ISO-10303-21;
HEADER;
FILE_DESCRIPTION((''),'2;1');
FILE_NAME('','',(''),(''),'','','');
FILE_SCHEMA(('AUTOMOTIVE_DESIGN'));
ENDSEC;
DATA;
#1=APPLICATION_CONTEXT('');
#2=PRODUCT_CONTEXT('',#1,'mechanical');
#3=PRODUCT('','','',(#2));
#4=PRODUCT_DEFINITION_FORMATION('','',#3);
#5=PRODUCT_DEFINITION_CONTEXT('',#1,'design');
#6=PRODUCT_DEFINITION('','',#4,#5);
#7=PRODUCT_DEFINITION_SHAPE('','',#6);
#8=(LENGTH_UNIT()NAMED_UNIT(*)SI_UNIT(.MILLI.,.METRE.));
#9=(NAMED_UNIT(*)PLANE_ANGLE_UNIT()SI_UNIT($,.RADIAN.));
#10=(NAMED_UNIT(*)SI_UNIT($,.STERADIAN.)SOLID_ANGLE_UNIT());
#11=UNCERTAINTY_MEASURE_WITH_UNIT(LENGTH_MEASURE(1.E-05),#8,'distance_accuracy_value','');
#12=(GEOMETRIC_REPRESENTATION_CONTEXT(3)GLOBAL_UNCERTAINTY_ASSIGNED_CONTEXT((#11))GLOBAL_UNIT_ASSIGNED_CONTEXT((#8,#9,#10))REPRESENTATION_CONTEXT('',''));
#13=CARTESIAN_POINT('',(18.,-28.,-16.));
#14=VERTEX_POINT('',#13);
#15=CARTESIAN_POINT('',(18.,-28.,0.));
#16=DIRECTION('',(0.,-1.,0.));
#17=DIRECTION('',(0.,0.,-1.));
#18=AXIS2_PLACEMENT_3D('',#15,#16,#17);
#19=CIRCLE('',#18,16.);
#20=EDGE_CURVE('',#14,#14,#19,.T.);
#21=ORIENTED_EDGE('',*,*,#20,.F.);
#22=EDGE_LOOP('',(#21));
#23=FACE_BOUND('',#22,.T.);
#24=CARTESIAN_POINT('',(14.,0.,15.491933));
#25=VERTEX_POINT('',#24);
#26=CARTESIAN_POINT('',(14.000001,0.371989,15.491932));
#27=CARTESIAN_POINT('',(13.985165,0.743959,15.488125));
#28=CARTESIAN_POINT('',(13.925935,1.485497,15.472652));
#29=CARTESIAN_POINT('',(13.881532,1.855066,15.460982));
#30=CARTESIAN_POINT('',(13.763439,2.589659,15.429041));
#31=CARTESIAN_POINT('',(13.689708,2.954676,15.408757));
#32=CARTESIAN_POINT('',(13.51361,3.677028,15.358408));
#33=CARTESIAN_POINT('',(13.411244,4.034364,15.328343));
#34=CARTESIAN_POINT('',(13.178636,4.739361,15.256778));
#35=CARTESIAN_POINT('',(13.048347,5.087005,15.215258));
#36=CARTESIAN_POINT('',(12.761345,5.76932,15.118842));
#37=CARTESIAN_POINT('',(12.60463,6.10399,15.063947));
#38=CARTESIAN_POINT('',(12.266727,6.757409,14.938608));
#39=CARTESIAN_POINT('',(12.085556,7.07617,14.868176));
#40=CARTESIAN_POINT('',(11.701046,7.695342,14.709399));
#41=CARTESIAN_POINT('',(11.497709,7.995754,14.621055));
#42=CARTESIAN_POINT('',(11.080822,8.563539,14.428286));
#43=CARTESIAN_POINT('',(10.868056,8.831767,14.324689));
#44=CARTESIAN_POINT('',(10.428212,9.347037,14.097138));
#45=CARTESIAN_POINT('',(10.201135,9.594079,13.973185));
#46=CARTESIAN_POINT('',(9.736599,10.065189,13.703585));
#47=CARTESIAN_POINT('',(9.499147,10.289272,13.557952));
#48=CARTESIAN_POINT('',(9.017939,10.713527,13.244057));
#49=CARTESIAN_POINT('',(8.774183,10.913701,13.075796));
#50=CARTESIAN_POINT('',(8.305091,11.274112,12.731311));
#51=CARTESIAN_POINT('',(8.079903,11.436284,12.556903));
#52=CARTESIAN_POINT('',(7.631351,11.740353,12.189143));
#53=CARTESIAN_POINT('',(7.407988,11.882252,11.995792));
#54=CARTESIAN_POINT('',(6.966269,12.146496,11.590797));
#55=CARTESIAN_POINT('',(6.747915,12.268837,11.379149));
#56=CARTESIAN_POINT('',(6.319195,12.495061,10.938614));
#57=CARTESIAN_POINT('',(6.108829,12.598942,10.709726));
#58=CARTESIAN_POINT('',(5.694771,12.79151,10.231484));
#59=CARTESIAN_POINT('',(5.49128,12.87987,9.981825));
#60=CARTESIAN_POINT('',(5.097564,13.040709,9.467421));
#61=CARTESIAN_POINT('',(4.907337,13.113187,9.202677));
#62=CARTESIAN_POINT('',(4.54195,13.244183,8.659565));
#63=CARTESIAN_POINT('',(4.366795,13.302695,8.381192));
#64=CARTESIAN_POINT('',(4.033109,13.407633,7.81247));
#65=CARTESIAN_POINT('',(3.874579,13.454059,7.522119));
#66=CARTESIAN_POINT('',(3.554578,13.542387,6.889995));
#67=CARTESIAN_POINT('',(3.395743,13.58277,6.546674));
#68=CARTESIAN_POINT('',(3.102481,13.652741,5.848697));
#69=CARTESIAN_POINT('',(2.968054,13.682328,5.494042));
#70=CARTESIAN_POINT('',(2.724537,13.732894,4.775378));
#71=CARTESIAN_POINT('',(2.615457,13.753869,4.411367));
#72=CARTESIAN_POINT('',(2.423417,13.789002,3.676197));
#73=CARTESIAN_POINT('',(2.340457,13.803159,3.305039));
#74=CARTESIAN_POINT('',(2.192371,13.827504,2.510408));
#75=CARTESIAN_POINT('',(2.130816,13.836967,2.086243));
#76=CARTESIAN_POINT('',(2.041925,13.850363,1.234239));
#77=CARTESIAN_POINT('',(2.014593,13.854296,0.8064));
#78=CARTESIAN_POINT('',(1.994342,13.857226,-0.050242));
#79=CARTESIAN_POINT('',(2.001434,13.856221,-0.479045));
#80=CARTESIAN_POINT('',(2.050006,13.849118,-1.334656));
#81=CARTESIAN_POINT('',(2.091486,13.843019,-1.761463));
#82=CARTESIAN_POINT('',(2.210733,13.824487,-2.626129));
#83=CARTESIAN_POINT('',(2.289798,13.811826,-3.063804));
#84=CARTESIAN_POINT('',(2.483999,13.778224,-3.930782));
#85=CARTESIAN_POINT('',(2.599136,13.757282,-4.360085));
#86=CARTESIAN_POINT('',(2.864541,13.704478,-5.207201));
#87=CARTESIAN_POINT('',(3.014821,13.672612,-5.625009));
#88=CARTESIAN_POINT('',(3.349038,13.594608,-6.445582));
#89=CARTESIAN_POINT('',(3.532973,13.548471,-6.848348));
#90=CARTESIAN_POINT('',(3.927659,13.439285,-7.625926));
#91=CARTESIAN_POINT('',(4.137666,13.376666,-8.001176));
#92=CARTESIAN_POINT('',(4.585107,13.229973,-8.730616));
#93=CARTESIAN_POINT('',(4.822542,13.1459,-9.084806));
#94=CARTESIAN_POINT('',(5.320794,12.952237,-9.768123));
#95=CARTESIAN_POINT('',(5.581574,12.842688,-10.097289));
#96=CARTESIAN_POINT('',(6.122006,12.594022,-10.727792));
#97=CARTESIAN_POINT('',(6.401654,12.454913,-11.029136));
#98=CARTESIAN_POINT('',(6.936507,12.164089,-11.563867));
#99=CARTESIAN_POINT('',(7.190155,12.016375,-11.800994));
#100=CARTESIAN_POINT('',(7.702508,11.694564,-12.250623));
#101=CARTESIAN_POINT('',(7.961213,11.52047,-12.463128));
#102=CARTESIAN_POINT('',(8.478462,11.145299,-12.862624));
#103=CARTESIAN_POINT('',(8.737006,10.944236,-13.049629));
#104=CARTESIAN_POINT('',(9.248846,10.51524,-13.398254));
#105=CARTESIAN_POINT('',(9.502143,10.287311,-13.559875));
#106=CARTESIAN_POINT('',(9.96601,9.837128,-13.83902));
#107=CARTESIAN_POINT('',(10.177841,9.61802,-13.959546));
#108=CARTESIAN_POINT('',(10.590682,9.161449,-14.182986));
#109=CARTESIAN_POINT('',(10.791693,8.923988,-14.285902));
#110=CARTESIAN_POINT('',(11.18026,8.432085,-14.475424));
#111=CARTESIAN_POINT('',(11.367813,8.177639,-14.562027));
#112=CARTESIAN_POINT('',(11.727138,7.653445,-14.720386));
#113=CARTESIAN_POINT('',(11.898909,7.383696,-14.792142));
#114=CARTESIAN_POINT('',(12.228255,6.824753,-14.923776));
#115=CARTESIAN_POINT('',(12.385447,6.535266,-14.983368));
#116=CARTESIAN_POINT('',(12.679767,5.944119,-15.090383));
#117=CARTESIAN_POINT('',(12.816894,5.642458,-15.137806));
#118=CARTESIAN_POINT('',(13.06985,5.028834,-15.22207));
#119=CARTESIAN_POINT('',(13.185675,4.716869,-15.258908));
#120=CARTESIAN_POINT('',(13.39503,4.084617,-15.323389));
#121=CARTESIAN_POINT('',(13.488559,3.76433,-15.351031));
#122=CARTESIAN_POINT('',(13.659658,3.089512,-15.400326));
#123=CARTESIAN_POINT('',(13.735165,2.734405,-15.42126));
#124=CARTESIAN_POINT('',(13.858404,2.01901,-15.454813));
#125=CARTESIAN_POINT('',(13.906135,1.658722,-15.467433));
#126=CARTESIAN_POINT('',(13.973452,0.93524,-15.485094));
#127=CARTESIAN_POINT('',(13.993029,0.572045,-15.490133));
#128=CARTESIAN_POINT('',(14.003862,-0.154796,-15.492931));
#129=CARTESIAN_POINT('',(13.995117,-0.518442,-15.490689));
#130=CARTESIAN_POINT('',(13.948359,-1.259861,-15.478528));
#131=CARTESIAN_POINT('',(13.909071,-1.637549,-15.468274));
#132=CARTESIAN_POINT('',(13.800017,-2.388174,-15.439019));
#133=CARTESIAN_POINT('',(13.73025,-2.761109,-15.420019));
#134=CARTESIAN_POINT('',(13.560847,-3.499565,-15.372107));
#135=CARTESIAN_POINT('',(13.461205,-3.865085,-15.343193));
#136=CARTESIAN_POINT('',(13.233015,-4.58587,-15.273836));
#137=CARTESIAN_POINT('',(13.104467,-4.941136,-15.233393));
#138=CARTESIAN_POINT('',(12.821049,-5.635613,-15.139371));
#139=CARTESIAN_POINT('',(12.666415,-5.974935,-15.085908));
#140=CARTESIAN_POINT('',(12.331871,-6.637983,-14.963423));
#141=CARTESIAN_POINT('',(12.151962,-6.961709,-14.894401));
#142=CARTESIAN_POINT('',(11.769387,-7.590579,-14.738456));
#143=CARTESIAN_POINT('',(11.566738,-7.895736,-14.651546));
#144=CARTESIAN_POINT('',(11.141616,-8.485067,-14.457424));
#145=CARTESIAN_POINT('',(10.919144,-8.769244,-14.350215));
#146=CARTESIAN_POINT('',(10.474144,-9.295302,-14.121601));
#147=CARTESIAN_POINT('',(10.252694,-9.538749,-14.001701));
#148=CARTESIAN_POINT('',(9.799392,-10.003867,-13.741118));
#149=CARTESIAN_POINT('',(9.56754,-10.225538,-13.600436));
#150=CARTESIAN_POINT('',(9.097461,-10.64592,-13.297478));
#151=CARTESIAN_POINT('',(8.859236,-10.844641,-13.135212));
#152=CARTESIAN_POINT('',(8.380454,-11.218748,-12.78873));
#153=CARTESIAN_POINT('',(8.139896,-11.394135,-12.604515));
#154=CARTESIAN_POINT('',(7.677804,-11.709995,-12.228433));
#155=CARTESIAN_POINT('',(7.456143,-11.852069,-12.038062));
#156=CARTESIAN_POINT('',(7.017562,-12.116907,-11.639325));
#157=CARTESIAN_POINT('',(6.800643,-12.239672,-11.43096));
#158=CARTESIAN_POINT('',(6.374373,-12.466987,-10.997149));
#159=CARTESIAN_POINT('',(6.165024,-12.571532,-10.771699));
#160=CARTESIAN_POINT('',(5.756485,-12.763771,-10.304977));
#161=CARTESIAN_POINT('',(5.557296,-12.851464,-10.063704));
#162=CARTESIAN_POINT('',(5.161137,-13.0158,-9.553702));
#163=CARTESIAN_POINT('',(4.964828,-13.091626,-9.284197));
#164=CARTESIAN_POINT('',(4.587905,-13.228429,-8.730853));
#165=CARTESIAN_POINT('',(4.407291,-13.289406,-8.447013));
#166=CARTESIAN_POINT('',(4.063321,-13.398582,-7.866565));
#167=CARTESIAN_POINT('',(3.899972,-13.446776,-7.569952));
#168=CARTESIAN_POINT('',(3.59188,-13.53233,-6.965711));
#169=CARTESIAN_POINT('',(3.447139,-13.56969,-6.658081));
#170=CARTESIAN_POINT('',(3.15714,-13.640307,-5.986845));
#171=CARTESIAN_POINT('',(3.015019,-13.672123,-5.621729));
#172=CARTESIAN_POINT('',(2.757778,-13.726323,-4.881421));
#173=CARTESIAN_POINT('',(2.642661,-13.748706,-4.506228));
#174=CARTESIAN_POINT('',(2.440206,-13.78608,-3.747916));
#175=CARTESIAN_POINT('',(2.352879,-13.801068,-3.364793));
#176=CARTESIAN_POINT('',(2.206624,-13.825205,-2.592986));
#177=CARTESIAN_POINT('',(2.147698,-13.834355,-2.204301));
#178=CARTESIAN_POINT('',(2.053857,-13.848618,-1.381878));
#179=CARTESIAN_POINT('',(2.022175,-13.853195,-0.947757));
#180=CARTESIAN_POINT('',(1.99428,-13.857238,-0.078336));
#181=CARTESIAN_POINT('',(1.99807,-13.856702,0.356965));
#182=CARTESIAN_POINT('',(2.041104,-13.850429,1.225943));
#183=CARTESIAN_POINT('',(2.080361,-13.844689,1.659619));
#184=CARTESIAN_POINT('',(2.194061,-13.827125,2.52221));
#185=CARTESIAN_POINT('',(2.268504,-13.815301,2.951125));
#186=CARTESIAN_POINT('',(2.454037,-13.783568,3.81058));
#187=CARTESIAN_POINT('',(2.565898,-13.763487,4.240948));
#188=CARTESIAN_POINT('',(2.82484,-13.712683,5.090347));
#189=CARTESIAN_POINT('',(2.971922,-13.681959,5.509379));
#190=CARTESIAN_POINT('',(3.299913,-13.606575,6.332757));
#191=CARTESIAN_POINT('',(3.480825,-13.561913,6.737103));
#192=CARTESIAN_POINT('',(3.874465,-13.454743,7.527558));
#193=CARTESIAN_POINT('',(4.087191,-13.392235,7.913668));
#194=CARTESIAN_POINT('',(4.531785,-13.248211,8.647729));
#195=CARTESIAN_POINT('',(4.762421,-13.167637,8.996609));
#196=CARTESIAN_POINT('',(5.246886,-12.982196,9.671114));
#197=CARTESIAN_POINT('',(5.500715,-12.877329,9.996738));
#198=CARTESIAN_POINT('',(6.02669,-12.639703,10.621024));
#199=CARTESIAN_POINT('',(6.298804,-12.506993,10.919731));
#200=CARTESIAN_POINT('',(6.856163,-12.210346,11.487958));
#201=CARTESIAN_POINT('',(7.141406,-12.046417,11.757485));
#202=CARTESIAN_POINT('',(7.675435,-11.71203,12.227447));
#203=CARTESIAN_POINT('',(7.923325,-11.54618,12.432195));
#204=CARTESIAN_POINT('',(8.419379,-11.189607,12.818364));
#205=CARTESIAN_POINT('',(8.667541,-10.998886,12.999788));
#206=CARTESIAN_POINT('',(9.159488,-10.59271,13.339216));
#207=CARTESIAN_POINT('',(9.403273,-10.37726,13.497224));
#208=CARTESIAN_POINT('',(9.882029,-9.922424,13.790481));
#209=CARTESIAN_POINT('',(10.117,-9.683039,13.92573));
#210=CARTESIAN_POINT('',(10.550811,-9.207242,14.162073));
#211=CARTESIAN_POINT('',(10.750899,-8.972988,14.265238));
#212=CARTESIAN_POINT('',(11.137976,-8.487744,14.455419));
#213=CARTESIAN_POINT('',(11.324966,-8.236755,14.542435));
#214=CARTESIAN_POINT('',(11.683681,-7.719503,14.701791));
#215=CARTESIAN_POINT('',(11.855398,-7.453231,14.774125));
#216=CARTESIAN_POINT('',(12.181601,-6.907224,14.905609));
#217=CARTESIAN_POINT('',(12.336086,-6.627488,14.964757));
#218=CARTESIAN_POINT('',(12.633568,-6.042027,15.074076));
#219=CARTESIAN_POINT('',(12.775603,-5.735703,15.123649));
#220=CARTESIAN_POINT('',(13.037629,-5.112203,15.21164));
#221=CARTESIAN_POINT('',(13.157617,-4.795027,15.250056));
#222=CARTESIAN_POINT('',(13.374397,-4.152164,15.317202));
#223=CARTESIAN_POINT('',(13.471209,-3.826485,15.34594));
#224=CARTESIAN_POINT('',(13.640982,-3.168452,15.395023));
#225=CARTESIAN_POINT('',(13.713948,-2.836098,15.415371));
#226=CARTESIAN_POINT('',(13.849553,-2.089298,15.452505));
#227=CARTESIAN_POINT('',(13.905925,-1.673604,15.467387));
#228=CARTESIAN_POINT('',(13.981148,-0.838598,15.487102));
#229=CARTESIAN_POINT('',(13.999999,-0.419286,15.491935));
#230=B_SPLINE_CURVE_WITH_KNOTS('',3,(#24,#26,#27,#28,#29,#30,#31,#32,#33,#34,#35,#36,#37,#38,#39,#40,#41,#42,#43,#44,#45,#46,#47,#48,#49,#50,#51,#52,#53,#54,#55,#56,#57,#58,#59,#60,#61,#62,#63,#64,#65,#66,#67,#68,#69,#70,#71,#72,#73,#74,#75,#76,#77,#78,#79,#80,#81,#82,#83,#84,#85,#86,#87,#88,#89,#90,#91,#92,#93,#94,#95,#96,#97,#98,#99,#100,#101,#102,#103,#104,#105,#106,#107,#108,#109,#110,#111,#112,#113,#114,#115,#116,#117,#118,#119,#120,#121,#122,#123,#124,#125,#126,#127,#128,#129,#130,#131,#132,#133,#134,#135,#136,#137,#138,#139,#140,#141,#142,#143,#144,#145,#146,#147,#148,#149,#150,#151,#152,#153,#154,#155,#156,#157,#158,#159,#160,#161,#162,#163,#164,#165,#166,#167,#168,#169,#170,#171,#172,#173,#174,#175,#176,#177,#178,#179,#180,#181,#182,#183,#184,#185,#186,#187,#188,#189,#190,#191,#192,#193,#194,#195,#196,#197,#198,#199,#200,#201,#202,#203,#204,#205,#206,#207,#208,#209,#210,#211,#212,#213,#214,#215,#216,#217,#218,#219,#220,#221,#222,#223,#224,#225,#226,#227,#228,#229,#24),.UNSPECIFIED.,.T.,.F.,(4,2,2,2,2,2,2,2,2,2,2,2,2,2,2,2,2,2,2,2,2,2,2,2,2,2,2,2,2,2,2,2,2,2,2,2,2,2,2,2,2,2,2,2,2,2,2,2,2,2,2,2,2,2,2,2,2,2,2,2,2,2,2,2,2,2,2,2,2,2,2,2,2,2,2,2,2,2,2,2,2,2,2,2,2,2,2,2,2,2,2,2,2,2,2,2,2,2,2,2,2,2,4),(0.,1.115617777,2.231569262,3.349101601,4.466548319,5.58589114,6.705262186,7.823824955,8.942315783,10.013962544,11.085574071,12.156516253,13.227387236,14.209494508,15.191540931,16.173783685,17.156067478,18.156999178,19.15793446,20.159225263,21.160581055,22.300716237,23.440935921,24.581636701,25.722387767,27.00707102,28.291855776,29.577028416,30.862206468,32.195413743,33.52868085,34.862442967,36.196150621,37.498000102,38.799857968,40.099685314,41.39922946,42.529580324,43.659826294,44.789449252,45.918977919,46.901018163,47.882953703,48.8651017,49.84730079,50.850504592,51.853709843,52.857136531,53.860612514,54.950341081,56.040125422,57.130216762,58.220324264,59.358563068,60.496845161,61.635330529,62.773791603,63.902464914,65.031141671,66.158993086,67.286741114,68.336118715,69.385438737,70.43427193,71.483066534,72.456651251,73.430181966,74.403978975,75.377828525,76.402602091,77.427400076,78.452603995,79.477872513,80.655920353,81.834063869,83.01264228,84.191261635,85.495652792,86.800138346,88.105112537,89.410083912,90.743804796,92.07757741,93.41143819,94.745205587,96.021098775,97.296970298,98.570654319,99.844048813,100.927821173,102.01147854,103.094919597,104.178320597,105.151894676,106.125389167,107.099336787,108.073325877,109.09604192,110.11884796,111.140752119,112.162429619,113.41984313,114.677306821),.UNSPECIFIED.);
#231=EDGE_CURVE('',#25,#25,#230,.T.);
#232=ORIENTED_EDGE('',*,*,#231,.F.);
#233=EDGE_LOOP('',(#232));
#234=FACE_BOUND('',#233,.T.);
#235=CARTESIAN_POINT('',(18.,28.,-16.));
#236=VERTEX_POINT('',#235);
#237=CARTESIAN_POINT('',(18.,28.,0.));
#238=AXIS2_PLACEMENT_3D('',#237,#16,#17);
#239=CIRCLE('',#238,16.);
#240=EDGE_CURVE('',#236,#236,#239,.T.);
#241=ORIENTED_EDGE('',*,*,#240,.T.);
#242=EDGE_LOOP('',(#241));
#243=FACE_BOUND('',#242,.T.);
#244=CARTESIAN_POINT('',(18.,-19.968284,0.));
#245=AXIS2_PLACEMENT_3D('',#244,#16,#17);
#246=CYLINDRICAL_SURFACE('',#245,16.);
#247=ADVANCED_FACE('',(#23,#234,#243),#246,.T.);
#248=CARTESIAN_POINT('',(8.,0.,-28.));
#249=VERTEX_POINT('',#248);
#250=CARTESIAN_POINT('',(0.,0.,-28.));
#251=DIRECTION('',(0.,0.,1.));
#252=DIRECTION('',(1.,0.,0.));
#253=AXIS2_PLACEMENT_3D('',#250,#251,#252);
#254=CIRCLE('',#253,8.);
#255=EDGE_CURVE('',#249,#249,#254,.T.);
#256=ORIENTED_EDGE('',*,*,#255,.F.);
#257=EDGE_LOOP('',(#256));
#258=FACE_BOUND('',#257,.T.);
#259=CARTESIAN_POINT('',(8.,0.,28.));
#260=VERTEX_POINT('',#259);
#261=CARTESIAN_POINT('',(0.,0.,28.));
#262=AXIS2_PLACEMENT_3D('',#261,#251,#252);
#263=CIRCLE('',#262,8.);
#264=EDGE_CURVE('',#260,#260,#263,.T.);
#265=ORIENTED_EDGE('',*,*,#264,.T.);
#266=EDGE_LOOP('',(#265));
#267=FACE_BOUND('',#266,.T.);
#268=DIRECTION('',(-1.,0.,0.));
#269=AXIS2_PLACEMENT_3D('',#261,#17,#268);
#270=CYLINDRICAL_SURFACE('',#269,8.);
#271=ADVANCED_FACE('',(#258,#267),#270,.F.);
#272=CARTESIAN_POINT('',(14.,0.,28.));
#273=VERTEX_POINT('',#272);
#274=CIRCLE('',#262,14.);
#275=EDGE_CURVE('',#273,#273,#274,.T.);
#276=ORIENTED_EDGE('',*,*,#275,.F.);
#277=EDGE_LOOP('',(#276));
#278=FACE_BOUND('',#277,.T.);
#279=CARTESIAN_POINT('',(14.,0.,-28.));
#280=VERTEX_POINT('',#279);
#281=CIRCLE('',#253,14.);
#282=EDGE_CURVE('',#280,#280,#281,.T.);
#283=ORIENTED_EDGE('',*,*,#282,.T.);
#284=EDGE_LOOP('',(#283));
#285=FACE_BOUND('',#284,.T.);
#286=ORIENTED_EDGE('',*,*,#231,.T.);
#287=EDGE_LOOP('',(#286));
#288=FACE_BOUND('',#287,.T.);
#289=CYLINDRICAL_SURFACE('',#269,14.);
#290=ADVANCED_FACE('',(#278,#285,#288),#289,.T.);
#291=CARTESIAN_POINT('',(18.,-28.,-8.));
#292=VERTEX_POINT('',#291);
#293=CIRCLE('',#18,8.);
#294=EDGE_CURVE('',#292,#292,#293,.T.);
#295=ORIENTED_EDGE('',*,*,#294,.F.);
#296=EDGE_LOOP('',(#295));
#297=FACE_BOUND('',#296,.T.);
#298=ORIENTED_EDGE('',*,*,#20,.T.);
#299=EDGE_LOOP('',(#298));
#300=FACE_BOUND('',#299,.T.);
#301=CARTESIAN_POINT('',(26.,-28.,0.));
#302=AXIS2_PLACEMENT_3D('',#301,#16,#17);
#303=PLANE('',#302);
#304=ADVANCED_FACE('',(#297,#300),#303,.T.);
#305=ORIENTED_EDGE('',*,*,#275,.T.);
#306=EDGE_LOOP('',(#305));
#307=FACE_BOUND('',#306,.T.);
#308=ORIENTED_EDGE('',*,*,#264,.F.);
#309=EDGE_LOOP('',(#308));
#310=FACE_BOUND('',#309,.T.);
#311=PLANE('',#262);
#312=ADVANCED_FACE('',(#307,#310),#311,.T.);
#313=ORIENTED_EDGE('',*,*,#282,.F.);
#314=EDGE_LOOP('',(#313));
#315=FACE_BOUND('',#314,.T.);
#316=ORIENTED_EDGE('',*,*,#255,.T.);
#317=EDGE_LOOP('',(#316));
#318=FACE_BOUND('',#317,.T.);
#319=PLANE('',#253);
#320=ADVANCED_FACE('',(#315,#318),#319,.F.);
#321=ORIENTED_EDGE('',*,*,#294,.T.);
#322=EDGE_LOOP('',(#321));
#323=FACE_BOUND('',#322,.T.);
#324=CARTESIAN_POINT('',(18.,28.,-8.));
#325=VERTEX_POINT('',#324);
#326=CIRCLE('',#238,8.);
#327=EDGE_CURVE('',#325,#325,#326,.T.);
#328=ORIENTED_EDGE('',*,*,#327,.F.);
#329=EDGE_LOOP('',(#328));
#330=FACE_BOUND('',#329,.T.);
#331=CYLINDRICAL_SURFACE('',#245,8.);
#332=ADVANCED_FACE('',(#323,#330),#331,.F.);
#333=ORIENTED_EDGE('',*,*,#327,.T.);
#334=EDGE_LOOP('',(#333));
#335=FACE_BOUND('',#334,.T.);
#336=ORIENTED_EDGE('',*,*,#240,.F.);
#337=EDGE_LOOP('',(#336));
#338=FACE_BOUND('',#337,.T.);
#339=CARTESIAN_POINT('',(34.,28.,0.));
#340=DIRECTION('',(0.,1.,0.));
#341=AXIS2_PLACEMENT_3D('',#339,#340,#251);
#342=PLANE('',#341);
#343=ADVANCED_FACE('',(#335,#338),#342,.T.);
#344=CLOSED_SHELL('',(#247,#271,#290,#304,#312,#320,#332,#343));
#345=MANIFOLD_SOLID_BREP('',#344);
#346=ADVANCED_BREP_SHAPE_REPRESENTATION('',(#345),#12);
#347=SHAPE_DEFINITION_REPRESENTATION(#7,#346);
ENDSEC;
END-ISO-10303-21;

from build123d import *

# Parameters (mm, degrees)
SKETCH1_R           = 14
SKETCH1_R_2         = 8
BOSS_EXTRUDE1_DEPTH = 28
SKETCH2_W           = 8
SKETCH2_H           = 56
CUT_EXTRUDE1_START  = -56
SKETCH3_R           = 8
CUT_EXTRUDE1_DEPTH  = 56
CUT_EXTRUDE2_START  = -56
SKETCH4_R           = 8
CUT_EXTRUDE2_DEPTH  = 56


with BuildPart() as part:
    # Sketch1 → Boss-Extrude1 (new, symmetric)
    with BuildSketch(Plane.XY):
        Circle(SKETCH1_R)
        Circle(SKETCH1_R_2, mode=Mode.SUBTRACT)
    extrude(amount=BOSS_EXTRUDE1_DEPTH, both=True)

    # Sketch2 → Revolve1 (revolve)
    with BuildSketch(Plane.XY, mode=Mode.PRIVATE) as revolve1_sk:
        with Locations((30, 0)):
            Rectangle(SKETCH2_W, SKETCH2_H)
    revolve(revolve1_sk.sketch.rotate(Axis((18, -19.968284035, 0), (0, 1, 0)), 90), axis=Axis((18, -19.968284035, 0), (0, 1, 0)))

    # Sketch3 → Cut-Extrude1 (cut)
    with BuildSketch(Plane.XY.offset(28).offset(CUT_EXTRUDE1_START)):
        Circle(SKETCH3_R)
    extrude(amount=CUT_EXTRUDE1_DEPTH, mode=Mode.SUBTRACT)

    # Sketch4 → Cut-Extrude2 (cut)
    with BuildSketch(Plane(origin=(0, 28, 0), x_dir=(1, 0, 0), z_dir=(0, 1, 0)).offset(CUT_EXTRUDE2_START)):
        with Locations(Location((18, 0, 0), (0, 0, 90))):
            Circle(SKETCH4_R)
    extrude(amount=CUT_EXTRUDE2_DEPTH, mode=Mode.SUBTRACT)


solid = part.part
